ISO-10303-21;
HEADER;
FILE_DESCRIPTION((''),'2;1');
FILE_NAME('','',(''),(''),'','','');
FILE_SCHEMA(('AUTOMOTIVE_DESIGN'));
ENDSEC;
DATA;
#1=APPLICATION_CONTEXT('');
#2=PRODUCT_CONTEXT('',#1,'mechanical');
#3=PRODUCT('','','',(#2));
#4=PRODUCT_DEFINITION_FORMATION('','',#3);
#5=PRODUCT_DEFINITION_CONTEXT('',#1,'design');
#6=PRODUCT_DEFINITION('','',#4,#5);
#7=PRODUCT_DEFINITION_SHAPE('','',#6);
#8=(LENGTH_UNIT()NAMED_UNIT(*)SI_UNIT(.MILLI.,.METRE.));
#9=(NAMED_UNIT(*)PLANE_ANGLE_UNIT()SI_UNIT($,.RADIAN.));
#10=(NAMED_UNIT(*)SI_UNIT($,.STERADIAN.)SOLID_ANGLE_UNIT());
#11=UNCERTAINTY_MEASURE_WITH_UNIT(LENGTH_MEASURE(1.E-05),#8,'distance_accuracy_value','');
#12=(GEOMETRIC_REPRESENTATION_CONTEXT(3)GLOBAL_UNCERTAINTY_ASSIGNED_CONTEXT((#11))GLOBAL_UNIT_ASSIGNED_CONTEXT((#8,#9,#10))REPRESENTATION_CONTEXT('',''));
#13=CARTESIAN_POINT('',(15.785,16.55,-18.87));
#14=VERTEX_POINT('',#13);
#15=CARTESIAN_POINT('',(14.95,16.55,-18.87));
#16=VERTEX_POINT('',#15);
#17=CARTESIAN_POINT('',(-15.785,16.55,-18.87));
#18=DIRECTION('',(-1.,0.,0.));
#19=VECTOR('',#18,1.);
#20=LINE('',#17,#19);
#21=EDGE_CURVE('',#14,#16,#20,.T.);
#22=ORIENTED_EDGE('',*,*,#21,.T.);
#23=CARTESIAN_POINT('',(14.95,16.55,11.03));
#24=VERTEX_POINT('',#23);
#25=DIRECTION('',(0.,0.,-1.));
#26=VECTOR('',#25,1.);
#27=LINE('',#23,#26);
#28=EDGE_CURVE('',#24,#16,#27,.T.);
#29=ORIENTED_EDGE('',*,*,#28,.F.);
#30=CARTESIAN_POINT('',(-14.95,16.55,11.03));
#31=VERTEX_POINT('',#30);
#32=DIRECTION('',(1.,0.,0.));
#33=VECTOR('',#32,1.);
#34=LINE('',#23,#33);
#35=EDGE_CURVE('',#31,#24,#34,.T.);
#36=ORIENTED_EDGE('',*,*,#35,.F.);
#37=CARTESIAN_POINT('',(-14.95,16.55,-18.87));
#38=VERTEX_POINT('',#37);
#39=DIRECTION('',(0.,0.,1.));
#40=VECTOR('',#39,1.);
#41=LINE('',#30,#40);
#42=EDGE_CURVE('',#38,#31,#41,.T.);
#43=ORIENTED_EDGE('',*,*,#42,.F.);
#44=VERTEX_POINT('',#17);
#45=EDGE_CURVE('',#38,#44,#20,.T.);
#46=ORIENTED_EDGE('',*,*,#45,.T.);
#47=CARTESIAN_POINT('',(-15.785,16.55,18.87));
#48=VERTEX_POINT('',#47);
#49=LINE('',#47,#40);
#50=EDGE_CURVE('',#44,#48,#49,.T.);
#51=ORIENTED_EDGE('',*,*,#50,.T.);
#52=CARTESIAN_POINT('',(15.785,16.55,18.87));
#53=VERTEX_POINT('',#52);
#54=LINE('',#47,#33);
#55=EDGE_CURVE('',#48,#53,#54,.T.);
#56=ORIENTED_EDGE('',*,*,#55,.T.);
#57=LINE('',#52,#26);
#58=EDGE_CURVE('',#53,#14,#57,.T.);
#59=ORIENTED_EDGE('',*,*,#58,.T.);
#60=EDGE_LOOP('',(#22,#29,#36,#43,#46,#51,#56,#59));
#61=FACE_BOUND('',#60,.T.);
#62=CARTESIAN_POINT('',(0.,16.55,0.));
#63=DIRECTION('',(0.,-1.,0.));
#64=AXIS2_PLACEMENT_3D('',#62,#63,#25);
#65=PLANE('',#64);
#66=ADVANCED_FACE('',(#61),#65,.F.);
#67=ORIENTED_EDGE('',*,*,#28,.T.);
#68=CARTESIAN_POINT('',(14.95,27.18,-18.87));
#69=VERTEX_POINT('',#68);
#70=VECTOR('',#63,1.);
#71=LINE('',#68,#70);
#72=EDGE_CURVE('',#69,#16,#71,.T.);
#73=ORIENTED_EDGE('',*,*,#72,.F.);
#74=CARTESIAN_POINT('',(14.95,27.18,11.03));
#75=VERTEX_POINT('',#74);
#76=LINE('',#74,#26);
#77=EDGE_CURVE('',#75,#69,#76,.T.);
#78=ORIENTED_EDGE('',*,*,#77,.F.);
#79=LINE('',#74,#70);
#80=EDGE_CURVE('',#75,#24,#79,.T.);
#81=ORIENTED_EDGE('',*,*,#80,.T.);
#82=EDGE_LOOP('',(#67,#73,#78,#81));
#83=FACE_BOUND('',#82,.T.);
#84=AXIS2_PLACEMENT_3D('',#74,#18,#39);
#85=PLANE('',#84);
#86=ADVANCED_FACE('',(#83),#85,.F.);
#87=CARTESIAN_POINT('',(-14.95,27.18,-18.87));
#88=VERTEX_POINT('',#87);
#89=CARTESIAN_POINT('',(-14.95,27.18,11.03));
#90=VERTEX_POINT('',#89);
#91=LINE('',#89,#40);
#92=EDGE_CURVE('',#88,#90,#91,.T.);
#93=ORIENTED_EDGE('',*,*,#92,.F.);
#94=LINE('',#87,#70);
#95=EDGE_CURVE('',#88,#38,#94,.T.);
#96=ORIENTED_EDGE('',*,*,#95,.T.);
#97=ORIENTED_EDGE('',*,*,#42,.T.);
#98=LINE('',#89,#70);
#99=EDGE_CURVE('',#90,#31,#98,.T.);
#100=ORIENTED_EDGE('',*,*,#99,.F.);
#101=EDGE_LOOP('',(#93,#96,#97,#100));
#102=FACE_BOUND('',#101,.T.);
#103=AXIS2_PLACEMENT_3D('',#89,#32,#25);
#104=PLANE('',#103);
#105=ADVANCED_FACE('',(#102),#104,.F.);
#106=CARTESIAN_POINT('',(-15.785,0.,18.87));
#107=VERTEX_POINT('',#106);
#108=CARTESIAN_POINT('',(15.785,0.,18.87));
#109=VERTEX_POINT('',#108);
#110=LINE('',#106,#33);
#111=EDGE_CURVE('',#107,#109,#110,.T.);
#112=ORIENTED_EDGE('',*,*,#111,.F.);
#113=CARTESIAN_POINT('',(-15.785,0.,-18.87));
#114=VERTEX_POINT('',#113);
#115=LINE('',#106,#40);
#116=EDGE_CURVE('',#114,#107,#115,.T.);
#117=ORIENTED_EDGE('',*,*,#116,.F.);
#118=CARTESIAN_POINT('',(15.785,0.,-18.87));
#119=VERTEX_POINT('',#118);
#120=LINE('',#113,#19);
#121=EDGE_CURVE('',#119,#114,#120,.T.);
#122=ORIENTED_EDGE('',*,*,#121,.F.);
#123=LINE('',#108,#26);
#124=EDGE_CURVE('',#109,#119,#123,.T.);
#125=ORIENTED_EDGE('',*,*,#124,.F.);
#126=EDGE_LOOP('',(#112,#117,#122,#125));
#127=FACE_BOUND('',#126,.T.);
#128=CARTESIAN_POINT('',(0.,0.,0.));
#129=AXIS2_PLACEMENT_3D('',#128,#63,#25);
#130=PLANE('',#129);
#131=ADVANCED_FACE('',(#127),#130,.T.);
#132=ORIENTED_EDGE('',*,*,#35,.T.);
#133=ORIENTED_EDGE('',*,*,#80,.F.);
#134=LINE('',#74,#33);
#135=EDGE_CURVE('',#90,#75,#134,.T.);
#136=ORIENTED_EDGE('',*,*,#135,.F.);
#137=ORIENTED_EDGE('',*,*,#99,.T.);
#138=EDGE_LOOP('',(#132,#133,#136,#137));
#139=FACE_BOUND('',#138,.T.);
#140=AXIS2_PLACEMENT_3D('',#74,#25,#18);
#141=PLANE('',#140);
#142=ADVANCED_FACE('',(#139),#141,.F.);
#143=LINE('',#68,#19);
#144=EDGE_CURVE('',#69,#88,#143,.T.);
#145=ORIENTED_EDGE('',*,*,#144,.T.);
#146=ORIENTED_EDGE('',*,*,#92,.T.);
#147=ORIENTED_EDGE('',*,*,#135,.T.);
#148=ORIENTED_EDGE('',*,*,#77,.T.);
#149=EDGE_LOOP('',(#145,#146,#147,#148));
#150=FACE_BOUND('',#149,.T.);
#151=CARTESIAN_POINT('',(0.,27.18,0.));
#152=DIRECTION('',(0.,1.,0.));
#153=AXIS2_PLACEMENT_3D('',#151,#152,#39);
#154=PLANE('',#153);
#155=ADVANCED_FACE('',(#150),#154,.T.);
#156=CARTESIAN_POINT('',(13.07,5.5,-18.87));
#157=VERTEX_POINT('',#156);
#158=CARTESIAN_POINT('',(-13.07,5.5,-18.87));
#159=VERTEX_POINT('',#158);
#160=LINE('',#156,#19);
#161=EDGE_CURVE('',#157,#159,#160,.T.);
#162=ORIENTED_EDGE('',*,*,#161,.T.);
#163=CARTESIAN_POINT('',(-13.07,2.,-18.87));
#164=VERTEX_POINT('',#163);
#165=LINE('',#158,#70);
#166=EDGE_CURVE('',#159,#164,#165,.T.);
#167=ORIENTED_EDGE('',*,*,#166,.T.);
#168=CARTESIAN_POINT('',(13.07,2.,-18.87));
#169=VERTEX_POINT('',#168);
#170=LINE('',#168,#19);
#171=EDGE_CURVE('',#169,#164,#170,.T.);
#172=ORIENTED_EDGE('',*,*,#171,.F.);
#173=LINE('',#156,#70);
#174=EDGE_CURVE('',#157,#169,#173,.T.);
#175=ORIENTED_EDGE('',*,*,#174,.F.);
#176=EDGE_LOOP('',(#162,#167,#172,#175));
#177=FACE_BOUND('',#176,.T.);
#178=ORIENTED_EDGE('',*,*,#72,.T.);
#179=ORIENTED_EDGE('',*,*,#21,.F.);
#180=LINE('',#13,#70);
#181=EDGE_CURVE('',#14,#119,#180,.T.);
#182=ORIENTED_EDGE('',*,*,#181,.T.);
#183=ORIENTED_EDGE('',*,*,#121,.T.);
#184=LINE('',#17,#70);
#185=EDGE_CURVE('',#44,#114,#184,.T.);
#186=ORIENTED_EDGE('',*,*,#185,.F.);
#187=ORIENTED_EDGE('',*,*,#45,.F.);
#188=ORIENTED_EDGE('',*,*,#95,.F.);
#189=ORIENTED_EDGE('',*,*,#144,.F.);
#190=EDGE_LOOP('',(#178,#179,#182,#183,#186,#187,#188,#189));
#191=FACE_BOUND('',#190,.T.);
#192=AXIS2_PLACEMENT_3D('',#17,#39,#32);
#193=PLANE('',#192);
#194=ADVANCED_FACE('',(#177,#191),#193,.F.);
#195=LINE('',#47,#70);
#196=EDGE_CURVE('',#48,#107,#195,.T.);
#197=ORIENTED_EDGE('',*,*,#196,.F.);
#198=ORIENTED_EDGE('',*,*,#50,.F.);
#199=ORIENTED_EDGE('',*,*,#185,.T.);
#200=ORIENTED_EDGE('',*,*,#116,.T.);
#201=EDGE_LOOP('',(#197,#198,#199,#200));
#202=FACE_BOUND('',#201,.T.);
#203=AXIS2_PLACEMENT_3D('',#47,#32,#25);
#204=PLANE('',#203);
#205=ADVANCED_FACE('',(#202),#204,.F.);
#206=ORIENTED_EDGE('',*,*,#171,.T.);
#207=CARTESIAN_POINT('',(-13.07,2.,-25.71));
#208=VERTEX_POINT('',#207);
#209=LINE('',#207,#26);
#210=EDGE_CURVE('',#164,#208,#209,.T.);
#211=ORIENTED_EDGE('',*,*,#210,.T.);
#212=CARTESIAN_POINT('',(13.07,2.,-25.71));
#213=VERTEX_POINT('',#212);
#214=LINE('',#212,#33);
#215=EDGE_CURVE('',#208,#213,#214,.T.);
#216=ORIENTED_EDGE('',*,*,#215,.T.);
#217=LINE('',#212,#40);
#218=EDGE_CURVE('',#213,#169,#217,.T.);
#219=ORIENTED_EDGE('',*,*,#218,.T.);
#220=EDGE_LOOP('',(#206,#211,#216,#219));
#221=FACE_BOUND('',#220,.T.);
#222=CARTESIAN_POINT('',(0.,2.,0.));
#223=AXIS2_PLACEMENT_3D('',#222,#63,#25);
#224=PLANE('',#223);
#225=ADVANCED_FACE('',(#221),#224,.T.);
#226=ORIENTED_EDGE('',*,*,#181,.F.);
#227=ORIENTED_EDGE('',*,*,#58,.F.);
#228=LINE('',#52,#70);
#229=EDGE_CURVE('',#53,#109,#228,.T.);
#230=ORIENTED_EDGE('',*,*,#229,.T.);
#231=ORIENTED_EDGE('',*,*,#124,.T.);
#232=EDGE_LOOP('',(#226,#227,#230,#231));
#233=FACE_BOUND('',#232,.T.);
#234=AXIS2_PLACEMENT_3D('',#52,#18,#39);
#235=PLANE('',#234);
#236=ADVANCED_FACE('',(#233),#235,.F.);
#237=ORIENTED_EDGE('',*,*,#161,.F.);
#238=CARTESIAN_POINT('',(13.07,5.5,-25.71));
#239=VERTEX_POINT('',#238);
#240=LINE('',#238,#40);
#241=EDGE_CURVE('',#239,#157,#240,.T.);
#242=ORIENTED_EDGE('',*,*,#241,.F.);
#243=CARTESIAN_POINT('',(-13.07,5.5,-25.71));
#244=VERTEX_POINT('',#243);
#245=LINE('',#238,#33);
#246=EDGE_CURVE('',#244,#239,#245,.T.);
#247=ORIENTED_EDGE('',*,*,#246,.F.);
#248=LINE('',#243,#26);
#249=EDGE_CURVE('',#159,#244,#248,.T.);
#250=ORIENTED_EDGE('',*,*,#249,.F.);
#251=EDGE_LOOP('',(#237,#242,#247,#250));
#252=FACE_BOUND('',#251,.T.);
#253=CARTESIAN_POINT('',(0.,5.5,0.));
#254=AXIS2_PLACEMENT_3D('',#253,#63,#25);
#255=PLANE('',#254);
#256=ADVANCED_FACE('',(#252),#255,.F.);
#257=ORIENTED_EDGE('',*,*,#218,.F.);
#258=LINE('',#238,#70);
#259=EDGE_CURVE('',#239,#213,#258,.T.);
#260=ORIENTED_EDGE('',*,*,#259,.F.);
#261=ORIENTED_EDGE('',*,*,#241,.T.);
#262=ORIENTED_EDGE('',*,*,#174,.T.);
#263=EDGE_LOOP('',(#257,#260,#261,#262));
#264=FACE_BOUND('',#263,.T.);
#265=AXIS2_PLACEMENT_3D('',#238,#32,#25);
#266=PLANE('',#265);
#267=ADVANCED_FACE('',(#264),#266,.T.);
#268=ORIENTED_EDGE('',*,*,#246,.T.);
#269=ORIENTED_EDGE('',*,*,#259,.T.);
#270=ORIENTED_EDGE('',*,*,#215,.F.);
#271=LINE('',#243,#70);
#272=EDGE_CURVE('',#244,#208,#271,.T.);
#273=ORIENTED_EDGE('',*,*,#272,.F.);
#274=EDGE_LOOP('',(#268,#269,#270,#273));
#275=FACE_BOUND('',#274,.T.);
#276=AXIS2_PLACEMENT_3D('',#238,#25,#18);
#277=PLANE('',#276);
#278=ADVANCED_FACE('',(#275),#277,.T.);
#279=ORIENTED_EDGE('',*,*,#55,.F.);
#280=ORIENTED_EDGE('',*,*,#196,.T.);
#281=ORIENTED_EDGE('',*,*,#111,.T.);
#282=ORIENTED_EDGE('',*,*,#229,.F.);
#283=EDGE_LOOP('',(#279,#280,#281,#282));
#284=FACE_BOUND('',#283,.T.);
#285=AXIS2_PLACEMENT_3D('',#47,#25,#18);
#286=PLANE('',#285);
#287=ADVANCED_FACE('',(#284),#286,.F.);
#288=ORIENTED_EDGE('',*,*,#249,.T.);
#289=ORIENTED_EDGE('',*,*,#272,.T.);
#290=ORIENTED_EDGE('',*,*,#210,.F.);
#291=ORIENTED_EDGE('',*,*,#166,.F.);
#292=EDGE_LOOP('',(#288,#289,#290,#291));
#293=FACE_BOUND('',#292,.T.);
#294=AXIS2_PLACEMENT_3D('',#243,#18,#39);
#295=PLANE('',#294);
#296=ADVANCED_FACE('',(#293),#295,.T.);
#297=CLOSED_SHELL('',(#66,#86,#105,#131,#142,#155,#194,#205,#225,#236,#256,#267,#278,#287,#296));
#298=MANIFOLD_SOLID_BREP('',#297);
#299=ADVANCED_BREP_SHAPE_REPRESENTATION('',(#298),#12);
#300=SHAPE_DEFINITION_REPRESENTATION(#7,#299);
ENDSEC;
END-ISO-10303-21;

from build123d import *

# Parameters (mm, degrees)
SCHIZZO1_W                   = 31.57
SCHIZZO1_H                   = 37.74
ESTRUSIONE_ESTRUSIONE1_DEPTH = 16.55
SCHIZZO2_W                   = 29.9
SCHIZZO2_H                   = 29.9
ESTRUSIONE_ESTRUSIONE2_DEPTH = 10.63
ESTRUSIONE_ESTRUSIONE3_START = -2
SCHIZZO3_W                   = 26.14
SCHIZZO3_H                   = 6.84
ESTRUSIONE_ESTRUSIONE3_DEPTH = 3.5


with BuildPart() as part:
    # Schizzo1 → Estrusione-Estrusione1 (new body)
    with BuildSketch(Plane(origin=(0, 0, 0), x_dir=(1, 0, 0), z_dir=(0, 1, 0))):
        Rectangle(SCHIZZO1_W, SCHIZZO1_H)
    extrude(amount=ESTRUSIONE_ESTRUSIONE1_DEPTH)

    # Schizzo2 → Estrusione-Estrusione2 (add)
    with BuildSketch(Plane(origin=(0, 16.55, 0), x_dir=(1, 0, 0), z_dir=(0, 1, 0))):
        with Locations((0, 3.92)):
            Rectangle(SCHIZZO2_W, SCHIZZO2_H)
    extrude(amount=ESTRUSIONE_ESTRUSIONE2_DEPTH)

    # Schizzo3 → Estrusione-Estrusione3 (add)
    with BuildSketch(Plane.XZ.offset(ESTRUSIONE_ESTRUSIONE3_START)):
        with Locations((0, -22.29)):
            Rectangle(SCHIZZO3_W, SCHIZZO3_H)
    extrude(amount=-ESTRUSIONE_ESTRUSIONE3_DEPTH)


solid = part.part
